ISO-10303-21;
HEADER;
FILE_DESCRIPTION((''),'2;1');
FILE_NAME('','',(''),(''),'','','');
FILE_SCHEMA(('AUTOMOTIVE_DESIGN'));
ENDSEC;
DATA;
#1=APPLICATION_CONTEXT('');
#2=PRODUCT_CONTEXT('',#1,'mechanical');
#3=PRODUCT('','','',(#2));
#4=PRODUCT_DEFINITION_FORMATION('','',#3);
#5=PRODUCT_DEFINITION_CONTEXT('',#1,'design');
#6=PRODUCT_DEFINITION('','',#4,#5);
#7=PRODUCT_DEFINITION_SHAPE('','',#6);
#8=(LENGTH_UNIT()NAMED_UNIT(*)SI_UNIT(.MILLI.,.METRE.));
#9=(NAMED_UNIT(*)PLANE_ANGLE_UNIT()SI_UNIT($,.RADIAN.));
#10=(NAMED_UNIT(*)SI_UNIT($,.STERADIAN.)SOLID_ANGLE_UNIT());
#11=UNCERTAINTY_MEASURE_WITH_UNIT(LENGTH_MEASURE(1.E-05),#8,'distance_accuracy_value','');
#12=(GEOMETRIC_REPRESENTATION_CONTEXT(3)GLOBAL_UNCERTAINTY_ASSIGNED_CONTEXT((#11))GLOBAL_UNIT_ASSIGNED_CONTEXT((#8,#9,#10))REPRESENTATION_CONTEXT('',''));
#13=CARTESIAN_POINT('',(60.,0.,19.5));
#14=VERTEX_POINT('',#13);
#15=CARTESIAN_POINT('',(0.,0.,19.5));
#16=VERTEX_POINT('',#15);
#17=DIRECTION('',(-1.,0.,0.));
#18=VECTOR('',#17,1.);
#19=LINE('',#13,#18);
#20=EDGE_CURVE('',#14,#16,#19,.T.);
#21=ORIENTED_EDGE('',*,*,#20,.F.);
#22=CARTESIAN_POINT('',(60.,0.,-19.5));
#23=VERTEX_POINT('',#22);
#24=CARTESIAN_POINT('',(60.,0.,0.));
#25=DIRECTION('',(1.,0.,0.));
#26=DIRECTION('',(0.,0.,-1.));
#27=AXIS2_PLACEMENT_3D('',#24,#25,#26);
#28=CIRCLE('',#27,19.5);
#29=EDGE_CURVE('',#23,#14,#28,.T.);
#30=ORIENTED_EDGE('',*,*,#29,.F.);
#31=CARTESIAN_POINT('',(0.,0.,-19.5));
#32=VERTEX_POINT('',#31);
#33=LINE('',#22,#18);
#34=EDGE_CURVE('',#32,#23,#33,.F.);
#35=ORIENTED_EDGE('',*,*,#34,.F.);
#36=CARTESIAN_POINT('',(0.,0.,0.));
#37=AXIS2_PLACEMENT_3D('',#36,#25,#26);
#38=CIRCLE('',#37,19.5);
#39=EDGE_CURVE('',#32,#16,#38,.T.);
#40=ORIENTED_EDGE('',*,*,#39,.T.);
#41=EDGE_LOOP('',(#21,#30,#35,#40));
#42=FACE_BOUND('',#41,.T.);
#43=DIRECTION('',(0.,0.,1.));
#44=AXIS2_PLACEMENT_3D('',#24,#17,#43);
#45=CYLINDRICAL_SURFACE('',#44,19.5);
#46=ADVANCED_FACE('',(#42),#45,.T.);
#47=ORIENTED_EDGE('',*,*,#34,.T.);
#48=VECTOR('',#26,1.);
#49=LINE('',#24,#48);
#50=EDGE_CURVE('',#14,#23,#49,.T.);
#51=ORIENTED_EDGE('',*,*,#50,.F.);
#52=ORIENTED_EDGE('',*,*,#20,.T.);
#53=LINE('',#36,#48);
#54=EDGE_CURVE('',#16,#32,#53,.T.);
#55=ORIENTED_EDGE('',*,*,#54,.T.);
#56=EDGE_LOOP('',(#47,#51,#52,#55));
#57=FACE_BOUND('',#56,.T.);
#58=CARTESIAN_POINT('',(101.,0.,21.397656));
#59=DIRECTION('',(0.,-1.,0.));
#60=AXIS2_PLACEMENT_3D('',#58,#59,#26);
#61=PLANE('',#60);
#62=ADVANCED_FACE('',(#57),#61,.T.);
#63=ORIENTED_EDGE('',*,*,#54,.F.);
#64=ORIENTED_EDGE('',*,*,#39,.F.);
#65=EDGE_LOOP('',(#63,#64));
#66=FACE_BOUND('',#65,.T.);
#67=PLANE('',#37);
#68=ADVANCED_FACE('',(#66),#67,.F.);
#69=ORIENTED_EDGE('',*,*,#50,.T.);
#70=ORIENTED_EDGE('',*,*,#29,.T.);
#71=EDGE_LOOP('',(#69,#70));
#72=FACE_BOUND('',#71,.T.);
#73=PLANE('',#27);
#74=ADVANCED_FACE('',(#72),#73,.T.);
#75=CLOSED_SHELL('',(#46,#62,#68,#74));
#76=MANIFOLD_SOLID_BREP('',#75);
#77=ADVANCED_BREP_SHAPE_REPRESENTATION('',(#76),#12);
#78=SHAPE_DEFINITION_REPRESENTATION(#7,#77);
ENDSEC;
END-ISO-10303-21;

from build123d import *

# Parameters (mm, degrees)
SKETCH1_R           = 19.5
BOSS_EXTRUDE1_DEPTH = 60
SKETCH2_W           = 42.862811924
SKETCH2_H           = 22.916416769
CUT_EXTRUDE2_DEPTH  = 101


with BuildPart() as part:
    # Sketch1 → Boss-Extrude1 (new body)
    with BuildSketch(Plane(origin=(0, 0, 0), x_dir=(0, 0, -1), z_dir=(1, 0, 0))):
        Circle(SKETCH1_R)
    extrude(amount=BOSS_EXTRUDE1_DEPTH)

    # Sketch2 → Cut-Extrude2 (cut)
    with BuildSketch(Plane(origin=(0, 0, 0), x_dir=(0, 0, -1), z_dir=(1, 0, 0))):
        with Locations((0.033750246, -11.458208385)):
            Rectangle(SKETCH2_W, SKETCH2_H)
    extrude(amount=CUT_EXTRUDE2_DEPTH, mode=Mode.SUBTRACT)


solid = part.part
